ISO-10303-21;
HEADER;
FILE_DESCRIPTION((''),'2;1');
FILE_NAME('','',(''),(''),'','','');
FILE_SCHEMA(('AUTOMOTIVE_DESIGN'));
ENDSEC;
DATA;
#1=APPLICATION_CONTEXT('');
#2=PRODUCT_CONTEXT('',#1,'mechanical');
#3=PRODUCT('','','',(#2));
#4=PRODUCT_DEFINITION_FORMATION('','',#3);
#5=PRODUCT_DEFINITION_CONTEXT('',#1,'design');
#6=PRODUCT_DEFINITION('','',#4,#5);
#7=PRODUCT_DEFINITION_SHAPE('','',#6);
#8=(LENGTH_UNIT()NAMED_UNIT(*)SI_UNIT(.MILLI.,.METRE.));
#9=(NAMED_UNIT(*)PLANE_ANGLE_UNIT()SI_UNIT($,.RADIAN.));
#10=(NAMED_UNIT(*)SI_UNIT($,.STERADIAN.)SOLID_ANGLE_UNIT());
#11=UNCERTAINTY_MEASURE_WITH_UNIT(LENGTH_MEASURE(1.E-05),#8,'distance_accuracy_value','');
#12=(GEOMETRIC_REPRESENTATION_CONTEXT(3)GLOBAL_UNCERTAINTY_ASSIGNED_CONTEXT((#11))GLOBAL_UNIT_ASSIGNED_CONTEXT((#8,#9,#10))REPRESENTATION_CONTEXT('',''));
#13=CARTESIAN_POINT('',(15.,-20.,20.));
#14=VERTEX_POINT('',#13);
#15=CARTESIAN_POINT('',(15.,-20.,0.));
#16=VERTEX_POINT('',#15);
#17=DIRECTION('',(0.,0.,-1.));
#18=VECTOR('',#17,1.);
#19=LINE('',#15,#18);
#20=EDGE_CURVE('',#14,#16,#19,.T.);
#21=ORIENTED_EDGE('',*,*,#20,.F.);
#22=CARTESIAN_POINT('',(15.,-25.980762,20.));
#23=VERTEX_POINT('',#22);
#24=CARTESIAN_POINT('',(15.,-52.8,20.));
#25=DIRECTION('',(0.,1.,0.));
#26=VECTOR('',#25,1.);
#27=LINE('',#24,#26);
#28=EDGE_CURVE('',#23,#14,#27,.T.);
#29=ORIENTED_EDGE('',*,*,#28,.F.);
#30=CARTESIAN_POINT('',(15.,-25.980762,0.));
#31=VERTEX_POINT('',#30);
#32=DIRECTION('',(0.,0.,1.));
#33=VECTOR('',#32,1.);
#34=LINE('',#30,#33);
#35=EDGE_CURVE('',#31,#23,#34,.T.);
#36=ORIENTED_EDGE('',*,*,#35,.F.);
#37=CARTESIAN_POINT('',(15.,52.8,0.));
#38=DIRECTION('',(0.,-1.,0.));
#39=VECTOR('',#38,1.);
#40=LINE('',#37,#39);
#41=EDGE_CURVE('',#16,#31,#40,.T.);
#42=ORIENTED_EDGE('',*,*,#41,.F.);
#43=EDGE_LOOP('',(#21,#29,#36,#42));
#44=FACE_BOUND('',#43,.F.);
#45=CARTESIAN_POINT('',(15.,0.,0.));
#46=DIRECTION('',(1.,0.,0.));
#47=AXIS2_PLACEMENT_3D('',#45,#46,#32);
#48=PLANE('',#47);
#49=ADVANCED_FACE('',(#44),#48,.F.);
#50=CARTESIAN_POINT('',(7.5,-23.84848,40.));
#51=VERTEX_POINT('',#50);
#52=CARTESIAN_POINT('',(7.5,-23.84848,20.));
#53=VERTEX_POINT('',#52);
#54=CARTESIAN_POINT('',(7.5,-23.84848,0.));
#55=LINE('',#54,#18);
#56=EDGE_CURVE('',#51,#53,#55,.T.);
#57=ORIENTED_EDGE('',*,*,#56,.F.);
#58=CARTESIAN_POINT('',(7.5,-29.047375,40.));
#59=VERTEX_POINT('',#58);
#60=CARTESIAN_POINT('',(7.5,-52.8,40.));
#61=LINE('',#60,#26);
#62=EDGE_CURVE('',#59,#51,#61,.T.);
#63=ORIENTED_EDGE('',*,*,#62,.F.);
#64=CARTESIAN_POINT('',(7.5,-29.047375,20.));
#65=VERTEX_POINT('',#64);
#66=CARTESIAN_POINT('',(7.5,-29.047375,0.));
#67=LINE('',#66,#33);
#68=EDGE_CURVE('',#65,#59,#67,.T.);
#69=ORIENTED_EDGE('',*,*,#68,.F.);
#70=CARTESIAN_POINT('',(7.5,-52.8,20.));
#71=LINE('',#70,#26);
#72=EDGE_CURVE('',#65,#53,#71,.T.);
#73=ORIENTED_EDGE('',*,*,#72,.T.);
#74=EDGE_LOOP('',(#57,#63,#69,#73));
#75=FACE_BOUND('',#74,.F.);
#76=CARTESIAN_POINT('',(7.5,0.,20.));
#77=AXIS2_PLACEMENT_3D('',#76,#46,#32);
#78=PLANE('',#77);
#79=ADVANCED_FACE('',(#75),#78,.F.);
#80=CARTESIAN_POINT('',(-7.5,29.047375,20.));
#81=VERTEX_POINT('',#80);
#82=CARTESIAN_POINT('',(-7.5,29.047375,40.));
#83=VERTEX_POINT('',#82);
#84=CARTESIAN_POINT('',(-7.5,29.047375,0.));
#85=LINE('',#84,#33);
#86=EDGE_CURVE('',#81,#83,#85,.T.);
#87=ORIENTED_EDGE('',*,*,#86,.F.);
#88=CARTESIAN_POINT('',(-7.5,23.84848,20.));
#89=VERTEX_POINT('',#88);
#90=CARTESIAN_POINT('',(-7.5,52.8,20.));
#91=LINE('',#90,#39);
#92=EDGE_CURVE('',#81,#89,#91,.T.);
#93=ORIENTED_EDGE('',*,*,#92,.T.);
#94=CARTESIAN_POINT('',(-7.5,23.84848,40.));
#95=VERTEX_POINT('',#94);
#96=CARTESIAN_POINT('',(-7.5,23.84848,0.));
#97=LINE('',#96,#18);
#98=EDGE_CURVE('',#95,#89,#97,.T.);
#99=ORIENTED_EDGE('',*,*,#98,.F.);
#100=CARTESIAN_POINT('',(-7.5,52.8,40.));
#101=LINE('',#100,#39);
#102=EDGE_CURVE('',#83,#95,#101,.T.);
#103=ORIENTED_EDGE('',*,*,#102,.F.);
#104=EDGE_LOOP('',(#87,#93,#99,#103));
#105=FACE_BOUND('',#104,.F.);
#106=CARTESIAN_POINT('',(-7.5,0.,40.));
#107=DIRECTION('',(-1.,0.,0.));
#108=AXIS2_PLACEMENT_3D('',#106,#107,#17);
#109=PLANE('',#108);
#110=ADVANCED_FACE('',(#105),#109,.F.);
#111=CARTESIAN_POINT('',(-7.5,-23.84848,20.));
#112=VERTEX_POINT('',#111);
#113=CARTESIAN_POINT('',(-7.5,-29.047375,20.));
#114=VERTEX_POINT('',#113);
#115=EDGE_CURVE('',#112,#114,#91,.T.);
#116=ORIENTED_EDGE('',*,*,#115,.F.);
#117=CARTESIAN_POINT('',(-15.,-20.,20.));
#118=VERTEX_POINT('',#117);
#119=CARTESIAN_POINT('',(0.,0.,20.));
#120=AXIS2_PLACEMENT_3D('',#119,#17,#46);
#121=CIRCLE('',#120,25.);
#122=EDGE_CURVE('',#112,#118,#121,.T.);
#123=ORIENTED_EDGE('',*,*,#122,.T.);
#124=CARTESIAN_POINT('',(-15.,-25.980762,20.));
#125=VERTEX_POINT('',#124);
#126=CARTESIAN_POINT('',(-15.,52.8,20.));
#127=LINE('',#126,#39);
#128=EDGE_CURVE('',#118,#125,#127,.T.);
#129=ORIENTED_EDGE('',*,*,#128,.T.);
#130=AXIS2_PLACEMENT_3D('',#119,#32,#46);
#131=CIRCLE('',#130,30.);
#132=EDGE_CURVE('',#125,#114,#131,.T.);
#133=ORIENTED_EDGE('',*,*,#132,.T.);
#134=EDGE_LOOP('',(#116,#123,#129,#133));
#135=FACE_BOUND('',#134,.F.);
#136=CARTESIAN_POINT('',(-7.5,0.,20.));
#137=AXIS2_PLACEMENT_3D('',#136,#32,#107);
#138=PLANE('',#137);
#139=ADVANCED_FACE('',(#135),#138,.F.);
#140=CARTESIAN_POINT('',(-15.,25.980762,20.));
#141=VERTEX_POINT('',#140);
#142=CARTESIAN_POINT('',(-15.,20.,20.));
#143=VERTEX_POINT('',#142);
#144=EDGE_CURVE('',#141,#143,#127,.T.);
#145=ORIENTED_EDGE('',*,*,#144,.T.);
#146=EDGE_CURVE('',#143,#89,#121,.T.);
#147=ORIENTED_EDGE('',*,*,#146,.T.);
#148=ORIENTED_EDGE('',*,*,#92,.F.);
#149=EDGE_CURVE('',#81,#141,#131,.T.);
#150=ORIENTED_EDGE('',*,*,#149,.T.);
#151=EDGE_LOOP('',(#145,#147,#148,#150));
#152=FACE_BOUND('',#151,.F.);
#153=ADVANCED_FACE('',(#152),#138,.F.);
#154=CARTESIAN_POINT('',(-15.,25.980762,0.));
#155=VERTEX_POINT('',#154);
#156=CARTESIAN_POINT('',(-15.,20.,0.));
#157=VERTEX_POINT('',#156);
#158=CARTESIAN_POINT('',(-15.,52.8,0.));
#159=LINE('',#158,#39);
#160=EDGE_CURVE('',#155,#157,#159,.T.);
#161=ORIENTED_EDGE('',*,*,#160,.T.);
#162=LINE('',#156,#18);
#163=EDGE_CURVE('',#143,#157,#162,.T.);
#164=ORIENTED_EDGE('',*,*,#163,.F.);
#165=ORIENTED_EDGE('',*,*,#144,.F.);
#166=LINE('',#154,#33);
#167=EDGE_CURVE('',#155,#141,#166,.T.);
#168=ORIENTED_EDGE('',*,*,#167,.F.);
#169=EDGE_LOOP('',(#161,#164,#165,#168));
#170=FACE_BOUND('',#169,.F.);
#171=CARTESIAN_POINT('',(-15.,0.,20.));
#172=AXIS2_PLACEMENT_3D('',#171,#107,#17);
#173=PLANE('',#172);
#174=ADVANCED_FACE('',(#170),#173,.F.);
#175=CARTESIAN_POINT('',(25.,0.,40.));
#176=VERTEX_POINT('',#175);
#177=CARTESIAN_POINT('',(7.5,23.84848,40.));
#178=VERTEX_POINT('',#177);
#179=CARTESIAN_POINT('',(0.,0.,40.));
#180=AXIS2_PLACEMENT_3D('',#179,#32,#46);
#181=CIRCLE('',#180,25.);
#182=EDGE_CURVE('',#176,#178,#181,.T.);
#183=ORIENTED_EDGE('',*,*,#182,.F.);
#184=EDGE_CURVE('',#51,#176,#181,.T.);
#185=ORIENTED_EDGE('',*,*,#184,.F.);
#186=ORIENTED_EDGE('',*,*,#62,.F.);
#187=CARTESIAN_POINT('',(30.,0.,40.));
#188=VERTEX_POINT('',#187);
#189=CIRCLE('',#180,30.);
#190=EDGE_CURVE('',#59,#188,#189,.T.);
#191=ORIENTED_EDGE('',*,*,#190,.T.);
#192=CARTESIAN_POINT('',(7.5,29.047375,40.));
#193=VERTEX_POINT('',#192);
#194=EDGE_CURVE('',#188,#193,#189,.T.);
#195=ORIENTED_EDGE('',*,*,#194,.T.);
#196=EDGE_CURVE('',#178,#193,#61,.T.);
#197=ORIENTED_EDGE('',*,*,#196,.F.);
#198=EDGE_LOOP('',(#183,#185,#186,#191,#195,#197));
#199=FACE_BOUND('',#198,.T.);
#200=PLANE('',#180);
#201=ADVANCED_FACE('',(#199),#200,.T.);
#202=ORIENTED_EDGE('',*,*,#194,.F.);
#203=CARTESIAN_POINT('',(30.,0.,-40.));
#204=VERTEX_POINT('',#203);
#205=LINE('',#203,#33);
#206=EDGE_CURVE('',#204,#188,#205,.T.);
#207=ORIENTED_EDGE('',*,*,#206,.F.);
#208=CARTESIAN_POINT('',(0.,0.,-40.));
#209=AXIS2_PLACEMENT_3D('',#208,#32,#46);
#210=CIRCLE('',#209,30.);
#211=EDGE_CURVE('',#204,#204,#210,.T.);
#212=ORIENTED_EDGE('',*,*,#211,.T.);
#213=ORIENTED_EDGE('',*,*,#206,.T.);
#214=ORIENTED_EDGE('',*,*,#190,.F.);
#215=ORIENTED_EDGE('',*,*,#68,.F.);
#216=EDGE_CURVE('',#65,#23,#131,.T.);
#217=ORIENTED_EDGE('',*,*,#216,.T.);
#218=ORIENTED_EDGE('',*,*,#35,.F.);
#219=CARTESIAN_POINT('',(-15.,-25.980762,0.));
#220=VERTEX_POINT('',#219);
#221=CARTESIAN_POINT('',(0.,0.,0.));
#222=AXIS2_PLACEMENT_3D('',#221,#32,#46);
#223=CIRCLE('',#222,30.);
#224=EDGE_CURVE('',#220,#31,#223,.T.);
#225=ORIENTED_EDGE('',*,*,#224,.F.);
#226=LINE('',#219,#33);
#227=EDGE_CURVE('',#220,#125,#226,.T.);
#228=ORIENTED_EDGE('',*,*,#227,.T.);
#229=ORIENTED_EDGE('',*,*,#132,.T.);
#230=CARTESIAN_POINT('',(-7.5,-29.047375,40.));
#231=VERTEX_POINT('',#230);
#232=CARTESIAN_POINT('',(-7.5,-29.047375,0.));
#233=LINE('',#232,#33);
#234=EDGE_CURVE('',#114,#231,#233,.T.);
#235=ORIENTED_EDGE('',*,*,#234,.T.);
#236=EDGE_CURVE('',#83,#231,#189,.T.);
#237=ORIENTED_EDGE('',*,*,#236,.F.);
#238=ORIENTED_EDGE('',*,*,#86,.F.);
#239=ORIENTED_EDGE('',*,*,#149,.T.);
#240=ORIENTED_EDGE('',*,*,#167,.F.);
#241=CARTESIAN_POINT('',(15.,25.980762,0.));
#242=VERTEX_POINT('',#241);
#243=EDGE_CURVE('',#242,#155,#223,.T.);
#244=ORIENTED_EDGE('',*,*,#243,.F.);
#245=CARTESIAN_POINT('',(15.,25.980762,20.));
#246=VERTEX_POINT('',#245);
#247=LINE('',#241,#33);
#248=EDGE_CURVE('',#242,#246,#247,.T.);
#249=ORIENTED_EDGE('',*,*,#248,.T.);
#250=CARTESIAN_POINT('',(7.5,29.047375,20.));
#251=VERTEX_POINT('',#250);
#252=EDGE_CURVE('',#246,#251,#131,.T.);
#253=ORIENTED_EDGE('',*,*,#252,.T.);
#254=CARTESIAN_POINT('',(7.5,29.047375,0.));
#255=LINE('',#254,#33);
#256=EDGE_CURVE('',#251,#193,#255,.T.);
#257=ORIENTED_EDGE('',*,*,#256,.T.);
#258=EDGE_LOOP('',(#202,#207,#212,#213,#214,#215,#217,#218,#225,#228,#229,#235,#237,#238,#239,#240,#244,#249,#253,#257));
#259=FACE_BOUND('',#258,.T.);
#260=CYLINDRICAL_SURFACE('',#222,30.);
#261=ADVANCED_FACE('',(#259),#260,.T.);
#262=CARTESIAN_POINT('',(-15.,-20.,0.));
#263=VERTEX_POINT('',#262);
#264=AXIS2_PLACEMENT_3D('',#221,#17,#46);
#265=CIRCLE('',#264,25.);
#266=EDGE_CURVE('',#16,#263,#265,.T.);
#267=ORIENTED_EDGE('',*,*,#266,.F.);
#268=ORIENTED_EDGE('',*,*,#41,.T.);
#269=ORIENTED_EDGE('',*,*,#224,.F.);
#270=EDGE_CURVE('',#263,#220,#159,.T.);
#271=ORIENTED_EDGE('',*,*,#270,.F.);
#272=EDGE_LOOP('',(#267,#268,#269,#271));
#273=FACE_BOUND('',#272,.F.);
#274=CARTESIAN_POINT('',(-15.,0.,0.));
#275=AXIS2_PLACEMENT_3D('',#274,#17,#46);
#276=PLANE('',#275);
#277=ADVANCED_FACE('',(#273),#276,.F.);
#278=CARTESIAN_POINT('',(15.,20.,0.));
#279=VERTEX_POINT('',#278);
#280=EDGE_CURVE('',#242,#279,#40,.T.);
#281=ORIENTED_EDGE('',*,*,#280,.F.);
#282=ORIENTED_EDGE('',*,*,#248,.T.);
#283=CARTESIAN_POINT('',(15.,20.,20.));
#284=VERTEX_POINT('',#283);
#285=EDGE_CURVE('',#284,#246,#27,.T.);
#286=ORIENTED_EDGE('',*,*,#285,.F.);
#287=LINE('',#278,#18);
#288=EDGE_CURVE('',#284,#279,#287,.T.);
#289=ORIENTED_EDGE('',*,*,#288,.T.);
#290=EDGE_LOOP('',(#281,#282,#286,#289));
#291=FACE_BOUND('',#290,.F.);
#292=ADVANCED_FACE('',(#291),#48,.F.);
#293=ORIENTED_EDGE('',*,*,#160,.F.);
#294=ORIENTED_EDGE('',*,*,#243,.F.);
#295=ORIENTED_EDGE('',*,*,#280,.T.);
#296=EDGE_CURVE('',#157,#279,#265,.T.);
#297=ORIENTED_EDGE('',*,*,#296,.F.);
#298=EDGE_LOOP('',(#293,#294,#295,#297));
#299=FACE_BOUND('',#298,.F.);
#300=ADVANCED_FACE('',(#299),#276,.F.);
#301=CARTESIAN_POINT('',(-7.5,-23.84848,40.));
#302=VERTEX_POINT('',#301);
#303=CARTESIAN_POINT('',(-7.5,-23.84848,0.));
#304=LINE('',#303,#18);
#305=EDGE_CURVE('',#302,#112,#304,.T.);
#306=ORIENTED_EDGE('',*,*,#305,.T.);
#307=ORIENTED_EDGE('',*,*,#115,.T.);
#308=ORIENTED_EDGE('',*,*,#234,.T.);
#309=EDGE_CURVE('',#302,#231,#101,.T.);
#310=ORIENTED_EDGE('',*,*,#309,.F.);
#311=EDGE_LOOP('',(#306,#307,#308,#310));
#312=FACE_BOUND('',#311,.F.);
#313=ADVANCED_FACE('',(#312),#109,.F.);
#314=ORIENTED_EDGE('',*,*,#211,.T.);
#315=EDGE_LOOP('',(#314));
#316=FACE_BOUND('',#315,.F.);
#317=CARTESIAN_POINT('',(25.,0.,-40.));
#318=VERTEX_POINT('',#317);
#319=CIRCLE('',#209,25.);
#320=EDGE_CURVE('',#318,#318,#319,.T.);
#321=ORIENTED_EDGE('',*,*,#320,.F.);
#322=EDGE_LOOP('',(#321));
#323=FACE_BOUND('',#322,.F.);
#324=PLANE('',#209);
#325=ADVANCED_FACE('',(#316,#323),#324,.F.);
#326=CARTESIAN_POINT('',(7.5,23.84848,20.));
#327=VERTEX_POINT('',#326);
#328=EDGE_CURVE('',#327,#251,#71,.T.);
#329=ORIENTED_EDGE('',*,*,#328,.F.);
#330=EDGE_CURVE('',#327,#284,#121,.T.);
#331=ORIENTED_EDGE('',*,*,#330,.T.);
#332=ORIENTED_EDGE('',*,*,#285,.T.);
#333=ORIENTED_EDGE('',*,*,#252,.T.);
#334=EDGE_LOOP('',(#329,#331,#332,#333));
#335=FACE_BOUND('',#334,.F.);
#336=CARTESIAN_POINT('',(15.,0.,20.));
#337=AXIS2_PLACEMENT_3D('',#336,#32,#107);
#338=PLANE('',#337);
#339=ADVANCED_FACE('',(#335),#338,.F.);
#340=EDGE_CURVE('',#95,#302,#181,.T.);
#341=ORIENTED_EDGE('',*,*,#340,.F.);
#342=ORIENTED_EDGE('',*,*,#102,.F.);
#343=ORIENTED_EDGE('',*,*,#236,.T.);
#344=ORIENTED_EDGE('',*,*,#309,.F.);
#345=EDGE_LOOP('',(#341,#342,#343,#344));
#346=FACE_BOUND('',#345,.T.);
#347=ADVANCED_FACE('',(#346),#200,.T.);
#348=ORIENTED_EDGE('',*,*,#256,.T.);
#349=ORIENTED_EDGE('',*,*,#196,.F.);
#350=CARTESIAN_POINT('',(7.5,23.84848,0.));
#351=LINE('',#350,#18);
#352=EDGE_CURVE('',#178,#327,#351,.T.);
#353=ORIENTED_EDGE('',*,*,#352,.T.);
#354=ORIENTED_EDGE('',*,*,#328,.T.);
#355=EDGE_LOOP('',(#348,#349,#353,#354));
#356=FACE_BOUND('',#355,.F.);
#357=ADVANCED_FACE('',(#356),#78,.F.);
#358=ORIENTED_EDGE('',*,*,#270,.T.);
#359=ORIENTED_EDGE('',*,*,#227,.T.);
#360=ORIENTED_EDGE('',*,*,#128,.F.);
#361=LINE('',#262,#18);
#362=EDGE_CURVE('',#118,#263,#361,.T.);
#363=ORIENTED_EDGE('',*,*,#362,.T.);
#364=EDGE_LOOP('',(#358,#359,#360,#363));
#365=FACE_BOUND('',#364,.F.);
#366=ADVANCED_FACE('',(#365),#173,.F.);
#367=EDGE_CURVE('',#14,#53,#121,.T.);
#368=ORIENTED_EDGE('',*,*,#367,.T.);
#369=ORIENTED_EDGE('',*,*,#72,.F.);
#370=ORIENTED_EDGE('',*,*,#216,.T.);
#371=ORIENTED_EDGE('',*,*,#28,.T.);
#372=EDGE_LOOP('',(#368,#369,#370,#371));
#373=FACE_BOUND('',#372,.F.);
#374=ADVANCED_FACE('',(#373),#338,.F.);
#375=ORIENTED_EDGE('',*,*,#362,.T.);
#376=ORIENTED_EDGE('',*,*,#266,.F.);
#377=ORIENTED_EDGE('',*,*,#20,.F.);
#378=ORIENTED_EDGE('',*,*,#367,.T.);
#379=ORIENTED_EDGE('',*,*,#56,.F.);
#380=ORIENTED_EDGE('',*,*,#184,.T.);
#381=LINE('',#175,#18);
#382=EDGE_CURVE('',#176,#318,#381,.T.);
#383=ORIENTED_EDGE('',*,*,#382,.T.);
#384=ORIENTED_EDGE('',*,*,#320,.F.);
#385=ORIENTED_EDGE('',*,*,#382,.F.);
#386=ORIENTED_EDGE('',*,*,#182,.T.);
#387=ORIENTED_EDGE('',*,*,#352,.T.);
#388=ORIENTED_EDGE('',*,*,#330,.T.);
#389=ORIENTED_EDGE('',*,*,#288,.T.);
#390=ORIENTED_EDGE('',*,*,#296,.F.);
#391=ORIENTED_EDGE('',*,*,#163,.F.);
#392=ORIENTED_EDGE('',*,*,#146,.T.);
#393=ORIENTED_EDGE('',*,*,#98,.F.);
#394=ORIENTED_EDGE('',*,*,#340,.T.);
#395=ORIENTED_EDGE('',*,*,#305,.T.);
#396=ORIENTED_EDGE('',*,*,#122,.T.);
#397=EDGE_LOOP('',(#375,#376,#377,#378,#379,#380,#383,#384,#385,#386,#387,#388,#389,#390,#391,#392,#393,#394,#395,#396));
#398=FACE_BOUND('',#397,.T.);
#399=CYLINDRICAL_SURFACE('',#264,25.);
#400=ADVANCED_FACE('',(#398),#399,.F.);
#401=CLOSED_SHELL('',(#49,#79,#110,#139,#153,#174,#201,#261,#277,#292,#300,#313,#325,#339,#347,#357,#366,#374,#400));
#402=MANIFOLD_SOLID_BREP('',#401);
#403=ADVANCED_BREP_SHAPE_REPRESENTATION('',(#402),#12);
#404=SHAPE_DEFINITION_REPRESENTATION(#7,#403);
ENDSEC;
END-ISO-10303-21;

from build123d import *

# Parameters (mm, degrees)
F0_R     = 30
F0_R_2   = 25
F1_DEPTH = 40
F3_DEPTH = 52.8


with BuildPart() as f1:
    # F0 (on Top) → F1 (new body, symmetric)
    with BuildSketch(Plane.XY):
        Circle(F0_R)
        Circle(F0_R_2, mode=Mode.SUBTRACT)
    extrude(amount=F1_DEPTH, both=True)

    # F2 (on Front) → F3 (cut, symmetric)
    with BuildSketch(Plane.XZ):
        Polygon((7.5, 40), (-7.5, 40), (-7.5, 20), (-15, 20), (-15, 0), (15, 0), (15, 20), (7.5, 20), align=None)
    extrude(amount=F3_DEPTH, both=True, mode=Mode.SUBTRACT)


solid = f1.part
